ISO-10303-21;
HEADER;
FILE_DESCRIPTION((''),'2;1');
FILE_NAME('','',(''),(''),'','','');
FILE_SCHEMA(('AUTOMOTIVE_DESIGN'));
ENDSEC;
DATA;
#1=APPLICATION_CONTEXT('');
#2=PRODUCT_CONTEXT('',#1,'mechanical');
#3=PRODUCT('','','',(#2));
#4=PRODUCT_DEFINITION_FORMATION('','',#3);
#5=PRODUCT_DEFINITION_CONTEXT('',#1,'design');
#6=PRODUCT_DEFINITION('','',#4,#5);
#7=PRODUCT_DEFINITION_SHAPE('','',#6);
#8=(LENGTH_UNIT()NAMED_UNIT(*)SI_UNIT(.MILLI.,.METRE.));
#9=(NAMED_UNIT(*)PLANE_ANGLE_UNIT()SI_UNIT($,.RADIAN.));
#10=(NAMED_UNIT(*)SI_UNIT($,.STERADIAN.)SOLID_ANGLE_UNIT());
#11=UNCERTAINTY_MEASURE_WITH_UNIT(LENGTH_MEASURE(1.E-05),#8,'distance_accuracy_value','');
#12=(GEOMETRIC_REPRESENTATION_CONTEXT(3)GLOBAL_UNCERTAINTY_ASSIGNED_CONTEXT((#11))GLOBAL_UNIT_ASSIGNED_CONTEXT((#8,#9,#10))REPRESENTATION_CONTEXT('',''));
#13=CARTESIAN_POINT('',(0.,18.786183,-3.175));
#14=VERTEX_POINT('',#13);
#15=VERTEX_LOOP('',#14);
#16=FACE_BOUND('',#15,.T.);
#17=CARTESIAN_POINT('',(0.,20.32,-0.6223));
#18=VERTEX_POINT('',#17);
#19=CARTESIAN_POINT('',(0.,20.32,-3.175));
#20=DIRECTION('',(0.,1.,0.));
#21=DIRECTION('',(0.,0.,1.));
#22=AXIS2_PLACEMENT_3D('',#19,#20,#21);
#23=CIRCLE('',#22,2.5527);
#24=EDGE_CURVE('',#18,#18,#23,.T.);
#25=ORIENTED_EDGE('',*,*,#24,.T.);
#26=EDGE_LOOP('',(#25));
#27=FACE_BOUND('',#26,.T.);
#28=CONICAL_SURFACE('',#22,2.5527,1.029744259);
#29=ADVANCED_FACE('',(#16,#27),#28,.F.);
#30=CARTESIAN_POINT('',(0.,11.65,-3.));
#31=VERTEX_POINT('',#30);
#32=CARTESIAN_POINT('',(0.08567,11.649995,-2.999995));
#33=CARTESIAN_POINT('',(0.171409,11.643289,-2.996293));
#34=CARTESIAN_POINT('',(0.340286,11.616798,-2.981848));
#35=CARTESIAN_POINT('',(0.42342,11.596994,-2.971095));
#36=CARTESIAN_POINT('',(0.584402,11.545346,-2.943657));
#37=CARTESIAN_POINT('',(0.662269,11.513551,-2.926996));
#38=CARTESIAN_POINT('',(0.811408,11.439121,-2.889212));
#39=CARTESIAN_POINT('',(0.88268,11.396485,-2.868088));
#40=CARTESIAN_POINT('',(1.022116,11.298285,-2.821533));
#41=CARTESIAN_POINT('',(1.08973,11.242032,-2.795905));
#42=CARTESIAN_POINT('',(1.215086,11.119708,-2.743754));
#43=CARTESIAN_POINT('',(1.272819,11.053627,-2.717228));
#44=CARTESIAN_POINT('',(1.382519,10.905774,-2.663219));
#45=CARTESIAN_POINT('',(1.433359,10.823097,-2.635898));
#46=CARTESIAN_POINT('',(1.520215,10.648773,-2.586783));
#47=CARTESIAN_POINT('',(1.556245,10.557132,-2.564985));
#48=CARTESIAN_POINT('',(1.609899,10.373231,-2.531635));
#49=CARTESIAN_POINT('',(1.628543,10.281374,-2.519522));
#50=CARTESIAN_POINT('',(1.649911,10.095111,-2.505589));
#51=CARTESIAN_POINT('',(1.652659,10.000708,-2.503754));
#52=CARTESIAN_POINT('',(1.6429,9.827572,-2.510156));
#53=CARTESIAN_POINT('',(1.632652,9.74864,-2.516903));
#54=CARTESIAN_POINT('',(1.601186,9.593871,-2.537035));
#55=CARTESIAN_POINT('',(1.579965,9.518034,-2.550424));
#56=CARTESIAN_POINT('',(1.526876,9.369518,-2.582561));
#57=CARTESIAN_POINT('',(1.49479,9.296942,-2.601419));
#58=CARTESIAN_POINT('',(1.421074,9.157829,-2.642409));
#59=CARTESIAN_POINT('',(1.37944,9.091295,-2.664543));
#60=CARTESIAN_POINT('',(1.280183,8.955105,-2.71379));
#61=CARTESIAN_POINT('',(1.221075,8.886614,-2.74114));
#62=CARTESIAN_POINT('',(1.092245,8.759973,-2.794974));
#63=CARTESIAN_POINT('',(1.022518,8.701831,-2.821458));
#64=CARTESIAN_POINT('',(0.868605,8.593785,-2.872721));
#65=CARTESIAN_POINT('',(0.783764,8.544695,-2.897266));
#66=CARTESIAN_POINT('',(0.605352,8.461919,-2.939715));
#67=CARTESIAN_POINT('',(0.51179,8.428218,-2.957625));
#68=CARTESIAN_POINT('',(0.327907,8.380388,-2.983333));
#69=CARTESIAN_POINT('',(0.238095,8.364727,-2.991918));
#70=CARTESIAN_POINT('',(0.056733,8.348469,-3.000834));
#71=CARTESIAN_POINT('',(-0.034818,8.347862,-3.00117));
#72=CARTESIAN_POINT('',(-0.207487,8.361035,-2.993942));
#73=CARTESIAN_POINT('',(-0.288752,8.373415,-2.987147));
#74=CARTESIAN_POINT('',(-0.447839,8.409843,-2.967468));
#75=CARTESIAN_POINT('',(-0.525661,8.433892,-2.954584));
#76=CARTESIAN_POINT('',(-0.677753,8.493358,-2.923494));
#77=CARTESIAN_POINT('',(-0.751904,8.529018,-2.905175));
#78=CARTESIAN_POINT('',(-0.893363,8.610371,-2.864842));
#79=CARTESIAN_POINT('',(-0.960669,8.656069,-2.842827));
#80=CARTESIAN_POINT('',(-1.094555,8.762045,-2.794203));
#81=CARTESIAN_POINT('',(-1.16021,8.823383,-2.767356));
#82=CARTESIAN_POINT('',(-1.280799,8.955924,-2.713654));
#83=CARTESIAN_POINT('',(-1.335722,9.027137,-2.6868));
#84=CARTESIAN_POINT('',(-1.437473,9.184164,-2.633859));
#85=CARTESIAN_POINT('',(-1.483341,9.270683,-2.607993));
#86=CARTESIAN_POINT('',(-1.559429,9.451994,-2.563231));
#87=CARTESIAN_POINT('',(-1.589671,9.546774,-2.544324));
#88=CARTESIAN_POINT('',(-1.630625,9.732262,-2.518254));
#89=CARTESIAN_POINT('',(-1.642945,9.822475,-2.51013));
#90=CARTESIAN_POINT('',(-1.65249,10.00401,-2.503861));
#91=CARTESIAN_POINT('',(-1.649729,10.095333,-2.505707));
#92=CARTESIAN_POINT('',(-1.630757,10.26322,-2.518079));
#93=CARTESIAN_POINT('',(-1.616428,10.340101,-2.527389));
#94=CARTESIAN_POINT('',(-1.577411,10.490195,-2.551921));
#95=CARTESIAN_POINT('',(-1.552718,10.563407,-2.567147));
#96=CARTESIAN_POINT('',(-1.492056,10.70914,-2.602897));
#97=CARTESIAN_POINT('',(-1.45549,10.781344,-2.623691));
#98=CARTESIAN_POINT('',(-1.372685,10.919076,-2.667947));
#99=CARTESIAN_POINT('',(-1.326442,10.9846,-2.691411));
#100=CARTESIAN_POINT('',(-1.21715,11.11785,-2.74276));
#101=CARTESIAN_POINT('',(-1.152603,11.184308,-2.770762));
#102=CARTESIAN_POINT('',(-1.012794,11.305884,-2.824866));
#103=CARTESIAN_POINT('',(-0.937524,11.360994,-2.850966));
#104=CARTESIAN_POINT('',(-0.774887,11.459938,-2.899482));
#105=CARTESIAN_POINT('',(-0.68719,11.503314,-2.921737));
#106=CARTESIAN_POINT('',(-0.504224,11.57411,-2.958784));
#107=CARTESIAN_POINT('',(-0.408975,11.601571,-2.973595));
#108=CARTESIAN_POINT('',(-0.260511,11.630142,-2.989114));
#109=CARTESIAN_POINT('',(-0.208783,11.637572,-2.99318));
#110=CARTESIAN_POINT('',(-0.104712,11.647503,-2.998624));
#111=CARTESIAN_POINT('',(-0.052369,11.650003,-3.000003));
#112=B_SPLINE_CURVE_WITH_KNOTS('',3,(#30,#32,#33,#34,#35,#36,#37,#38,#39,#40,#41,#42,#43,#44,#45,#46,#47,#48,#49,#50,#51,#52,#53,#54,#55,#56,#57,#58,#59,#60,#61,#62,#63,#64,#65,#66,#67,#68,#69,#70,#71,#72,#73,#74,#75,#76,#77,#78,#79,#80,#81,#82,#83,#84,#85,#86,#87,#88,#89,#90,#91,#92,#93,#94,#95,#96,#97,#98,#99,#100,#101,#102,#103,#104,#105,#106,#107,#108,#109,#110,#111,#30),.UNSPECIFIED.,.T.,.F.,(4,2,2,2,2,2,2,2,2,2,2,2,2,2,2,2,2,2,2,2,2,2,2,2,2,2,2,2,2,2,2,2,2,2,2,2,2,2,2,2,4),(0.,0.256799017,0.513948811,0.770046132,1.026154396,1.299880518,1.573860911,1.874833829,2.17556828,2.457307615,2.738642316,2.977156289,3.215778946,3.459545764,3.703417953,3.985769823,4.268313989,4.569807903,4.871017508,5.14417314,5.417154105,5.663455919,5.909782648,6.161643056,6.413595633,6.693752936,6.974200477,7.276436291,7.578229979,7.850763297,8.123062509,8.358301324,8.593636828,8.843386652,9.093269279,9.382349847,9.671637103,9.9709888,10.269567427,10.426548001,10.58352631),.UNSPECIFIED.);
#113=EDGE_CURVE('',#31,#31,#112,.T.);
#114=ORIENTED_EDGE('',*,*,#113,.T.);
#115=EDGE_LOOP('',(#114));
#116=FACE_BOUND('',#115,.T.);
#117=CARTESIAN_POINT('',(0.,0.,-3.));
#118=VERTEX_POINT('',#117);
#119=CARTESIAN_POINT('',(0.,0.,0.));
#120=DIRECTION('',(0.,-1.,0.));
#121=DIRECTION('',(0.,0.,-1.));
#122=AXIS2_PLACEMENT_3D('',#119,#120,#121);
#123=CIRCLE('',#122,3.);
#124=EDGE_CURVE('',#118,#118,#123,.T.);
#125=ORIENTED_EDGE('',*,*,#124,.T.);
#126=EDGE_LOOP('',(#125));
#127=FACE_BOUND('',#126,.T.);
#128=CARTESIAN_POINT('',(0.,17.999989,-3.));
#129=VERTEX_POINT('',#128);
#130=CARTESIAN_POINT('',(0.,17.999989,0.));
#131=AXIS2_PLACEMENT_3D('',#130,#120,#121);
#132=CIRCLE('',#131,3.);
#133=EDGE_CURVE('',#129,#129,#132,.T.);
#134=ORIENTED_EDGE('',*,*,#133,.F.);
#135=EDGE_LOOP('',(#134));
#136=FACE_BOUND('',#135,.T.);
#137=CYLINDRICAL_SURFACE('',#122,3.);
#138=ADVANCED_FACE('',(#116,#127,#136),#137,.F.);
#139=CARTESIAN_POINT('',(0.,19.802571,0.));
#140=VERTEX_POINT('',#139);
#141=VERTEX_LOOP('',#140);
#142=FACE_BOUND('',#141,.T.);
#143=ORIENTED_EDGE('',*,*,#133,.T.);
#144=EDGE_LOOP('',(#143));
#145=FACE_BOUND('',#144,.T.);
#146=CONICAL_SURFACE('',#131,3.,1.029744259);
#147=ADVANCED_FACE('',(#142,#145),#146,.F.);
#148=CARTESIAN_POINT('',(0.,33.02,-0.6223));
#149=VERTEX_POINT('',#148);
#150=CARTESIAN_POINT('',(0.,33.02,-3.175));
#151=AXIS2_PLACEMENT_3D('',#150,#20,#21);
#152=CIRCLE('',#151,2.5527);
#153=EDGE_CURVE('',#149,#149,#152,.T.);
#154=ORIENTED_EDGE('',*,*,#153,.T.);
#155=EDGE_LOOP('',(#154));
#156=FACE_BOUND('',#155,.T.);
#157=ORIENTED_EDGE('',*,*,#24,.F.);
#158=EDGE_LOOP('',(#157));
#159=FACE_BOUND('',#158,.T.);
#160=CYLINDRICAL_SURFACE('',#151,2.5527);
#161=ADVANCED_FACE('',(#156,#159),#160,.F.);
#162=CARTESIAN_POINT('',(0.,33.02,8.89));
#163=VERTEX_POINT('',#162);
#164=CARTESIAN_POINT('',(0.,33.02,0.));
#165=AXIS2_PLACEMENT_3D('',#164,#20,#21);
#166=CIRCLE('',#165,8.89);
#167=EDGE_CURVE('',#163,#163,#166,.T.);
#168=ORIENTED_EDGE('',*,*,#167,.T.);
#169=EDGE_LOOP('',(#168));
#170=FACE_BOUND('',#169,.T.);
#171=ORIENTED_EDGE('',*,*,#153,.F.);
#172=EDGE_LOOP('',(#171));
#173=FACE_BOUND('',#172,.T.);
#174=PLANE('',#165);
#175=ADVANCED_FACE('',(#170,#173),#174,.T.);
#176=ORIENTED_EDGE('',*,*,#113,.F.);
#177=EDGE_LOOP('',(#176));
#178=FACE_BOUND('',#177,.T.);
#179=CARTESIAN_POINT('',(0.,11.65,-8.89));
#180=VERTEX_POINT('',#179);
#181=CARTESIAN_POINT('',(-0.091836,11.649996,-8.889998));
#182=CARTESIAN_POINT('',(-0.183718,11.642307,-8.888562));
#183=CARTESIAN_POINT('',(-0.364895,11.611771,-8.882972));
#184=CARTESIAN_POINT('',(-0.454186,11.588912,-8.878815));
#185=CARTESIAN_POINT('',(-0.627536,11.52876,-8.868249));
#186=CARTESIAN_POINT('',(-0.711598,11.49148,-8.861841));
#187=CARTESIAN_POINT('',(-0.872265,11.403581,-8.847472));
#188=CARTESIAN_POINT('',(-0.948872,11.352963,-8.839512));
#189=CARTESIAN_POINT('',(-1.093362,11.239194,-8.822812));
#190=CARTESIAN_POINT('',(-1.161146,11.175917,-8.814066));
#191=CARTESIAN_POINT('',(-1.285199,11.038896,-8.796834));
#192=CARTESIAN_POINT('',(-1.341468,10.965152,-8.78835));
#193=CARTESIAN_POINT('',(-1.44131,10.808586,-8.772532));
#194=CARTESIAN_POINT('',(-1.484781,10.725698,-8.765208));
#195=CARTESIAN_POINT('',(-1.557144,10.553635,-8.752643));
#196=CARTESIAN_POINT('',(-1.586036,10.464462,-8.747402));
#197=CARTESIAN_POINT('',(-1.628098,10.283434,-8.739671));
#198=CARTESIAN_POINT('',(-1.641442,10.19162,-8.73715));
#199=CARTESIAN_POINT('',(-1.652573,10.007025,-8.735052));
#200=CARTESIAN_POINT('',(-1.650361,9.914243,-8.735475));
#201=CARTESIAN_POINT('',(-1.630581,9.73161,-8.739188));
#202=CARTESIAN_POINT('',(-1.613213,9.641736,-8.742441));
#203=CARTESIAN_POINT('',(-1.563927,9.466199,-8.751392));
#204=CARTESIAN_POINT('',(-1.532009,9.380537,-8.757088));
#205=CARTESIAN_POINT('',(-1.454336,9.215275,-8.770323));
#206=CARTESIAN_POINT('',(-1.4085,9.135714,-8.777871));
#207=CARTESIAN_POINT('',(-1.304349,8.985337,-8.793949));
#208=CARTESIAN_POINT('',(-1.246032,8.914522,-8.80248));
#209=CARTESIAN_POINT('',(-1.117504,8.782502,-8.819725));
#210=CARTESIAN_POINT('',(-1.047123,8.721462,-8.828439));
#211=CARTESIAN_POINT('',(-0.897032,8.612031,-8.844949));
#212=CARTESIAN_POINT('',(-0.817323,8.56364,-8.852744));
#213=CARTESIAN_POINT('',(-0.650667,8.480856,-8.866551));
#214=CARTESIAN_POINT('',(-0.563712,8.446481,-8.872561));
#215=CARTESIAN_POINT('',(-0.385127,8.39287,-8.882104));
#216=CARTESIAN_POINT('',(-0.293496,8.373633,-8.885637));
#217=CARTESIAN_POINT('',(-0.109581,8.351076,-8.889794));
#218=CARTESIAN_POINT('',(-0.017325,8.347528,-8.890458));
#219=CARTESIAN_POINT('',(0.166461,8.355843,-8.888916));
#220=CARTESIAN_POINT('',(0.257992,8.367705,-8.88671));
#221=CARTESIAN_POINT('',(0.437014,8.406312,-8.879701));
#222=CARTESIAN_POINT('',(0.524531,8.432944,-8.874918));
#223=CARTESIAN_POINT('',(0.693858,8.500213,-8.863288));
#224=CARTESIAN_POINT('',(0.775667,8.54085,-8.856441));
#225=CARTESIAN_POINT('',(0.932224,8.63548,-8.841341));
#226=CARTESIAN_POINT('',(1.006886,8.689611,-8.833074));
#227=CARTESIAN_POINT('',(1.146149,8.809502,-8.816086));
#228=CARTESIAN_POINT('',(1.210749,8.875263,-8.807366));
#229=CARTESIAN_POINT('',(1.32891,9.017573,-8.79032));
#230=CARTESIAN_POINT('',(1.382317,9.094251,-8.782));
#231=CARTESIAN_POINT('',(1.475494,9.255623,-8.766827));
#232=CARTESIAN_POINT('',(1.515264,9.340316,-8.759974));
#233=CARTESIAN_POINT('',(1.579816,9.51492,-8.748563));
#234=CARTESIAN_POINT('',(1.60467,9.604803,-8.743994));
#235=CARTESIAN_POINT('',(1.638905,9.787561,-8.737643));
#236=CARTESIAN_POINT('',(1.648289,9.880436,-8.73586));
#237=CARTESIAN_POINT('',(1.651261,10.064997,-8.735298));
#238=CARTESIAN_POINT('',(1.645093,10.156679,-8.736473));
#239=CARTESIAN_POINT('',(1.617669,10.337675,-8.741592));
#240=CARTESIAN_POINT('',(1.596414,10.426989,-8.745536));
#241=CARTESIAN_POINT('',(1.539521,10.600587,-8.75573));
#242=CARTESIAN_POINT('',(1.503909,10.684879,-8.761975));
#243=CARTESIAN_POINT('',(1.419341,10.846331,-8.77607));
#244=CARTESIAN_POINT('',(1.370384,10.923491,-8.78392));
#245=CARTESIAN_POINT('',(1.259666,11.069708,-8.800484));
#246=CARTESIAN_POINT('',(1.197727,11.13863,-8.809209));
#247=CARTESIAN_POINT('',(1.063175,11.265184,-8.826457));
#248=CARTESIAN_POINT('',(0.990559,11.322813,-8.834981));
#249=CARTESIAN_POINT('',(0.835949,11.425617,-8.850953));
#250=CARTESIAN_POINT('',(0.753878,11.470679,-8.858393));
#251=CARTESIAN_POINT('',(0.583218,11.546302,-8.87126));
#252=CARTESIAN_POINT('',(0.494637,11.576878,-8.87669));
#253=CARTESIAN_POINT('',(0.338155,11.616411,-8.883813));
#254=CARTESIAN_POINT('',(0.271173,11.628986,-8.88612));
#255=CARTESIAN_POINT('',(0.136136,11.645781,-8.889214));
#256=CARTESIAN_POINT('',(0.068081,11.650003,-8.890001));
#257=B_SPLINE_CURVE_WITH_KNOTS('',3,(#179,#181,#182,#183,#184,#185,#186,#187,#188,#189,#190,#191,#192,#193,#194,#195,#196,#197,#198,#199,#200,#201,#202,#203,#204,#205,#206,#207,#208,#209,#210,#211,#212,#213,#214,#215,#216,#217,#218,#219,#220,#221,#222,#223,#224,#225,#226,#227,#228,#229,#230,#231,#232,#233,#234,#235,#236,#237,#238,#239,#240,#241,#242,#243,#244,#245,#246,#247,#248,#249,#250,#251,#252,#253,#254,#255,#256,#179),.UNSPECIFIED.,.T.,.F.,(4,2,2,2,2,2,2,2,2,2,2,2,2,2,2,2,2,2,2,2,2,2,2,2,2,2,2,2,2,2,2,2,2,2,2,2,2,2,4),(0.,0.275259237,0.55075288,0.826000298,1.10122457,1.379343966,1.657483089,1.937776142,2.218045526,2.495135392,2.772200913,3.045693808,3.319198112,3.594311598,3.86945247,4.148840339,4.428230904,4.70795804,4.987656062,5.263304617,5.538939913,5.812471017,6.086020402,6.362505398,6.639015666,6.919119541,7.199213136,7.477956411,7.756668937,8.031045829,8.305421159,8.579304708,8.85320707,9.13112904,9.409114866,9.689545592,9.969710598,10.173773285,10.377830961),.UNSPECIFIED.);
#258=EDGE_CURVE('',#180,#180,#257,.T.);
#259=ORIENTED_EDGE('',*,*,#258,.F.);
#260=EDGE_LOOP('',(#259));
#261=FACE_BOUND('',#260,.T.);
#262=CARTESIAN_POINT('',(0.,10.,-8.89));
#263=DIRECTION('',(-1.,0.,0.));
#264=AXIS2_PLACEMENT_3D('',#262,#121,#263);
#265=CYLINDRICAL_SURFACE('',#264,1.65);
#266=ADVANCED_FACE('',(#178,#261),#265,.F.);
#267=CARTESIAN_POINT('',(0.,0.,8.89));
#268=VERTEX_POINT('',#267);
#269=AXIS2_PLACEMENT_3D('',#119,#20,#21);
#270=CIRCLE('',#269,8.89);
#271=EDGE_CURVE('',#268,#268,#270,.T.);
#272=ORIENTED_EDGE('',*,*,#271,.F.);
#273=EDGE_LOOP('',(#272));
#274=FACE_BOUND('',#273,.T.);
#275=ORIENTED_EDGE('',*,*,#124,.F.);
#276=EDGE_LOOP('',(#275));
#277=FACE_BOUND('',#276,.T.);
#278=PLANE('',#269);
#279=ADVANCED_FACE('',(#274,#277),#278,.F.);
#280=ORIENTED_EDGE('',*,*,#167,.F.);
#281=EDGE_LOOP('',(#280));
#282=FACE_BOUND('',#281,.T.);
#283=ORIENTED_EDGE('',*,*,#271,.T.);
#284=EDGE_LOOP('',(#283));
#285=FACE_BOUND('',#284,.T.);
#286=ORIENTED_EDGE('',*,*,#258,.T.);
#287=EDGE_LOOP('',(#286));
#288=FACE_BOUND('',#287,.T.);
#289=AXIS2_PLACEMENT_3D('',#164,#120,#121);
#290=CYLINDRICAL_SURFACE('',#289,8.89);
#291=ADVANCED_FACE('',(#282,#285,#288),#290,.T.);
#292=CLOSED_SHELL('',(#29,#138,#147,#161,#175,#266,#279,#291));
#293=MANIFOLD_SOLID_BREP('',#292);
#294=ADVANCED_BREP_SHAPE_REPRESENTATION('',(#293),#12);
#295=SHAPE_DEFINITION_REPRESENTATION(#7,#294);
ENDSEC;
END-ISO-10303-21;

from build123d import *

# Parameters (mm, degrees)
SKETCH1_R                   = 8.89
BOSS_EXTRUDE1_DEPTH         = 33.02
F_1_4_20_TAPPED_HOLE1_D     = 5.1054
F_1_4_20_TAPPED_HOLE1_DEPTH = 12.7
F_1_4_20_TAPPED_HOLE1_TIP   = 1.533816902
F_6_0MM_DOWEL_HOLE1_D       = 6
F_6_0MM_DOWEL_HOLE1_DEPTH   = 17.9999894
F_6_0MM_DOWEL_HOLE1_TIP     = 1.802581857
M4X0_7_TAPPED_HOLE1_REACH   = 40.542
M4X0_7_TAPPED_HOLE1_BORE_R  = 1.65


with BuildPart() as part:
    # Sketch1 → Boss-Extrude1 (new body)
    with BuildSketch(Plane(origin=(0, 0, 0), x_dir=(1, 0, 0), z_dir=(0, 1, 0))):
        with Locations(Location((0, 0, 0), (0, 0, 270))):
            Circle(SKETCH1_R)
    extrude(amount=BOSS_EXTRUDE1_DEPTH)

    # 1/4-20 Tapped Hole1
    with Locations(Plane(origin=(0, 33.02, 0), x_dir=(1, 0, 0), z_dir=(0, 1, 0))):
        with Locations((0, 3.175)):
            Hole(F_1_4_20_TAPPED_HOLE1_D / 2, depth=F_1_4_20_TAPPED_HOLE1_DEPTH)
            with Locations((0, 0, -(F_1_4_20_TAPPED_HOLE1_DEPTH + F_1_4_20_TAPPED_HOLE1_TIP / 2))):  # 118° drill point
                Cone(0, F_1_4_20_TAPPED_HOLE1_D / 2, F_1_4_20_TAPPED_HOLE1_TIP, mode=Mode.SUBTRACT)

    # Ø6.0mm Dowel Hole1
    with Locations(Plane(origin=(0, 0, 0), x_dir=(-1, 0, 0), z_dir=(0, -1, 0))):
        with Locations((0, 0)):
            Hole(F_6_0MM_DOWEL_HOLE1_D / 2, depth=F_6_0MM_DOWEL_HOLE1_DEPTH)
            with Locations((0, 0, -(F_6_0MM_DOWEL_HOLE1_DEPTH + F_6_0MM_DOWEL_HOLE1_TIP / 2))):  # 118° drill point
                Cone(0, F_6_0MM_DOWEL_HOLE1_D / 2, F_6_0MM_DOWEL_HOLE1_TIP, mode=Mode.SUBTRACT)

    # M4x0.7 Tapped Hole1 bore → M4x0.7 Tapped Hole1 (cut, up to next)
    with BuildSketch(Plane(origin=(0, 0, -8.89), x_dir=(-1, 0, 0), z_dir=(0, 0, -1)), mode=Mode.PRIVATE) as m4x0_7_tapped_hole1_sk1:
        with Locations((0, 10)):
            Circle(M4X0_7_TAPPED_HOLE1_BORE_R)
    m4x0_7_tapped_hole1_tool1 = extrude(m4x0_7_tapped_hole1_sk1.sketch, amount=-M4X0_7_TAPPED_HOLE1_REACH, mode=Mode.PRIVATE) & part.part
    add(m4x0_7_tapped_hole1_tool1.solids().sort_by_distance((0, 10, -8.89))[0], mode=Mode.SUBTRACT)


solid = part.part
